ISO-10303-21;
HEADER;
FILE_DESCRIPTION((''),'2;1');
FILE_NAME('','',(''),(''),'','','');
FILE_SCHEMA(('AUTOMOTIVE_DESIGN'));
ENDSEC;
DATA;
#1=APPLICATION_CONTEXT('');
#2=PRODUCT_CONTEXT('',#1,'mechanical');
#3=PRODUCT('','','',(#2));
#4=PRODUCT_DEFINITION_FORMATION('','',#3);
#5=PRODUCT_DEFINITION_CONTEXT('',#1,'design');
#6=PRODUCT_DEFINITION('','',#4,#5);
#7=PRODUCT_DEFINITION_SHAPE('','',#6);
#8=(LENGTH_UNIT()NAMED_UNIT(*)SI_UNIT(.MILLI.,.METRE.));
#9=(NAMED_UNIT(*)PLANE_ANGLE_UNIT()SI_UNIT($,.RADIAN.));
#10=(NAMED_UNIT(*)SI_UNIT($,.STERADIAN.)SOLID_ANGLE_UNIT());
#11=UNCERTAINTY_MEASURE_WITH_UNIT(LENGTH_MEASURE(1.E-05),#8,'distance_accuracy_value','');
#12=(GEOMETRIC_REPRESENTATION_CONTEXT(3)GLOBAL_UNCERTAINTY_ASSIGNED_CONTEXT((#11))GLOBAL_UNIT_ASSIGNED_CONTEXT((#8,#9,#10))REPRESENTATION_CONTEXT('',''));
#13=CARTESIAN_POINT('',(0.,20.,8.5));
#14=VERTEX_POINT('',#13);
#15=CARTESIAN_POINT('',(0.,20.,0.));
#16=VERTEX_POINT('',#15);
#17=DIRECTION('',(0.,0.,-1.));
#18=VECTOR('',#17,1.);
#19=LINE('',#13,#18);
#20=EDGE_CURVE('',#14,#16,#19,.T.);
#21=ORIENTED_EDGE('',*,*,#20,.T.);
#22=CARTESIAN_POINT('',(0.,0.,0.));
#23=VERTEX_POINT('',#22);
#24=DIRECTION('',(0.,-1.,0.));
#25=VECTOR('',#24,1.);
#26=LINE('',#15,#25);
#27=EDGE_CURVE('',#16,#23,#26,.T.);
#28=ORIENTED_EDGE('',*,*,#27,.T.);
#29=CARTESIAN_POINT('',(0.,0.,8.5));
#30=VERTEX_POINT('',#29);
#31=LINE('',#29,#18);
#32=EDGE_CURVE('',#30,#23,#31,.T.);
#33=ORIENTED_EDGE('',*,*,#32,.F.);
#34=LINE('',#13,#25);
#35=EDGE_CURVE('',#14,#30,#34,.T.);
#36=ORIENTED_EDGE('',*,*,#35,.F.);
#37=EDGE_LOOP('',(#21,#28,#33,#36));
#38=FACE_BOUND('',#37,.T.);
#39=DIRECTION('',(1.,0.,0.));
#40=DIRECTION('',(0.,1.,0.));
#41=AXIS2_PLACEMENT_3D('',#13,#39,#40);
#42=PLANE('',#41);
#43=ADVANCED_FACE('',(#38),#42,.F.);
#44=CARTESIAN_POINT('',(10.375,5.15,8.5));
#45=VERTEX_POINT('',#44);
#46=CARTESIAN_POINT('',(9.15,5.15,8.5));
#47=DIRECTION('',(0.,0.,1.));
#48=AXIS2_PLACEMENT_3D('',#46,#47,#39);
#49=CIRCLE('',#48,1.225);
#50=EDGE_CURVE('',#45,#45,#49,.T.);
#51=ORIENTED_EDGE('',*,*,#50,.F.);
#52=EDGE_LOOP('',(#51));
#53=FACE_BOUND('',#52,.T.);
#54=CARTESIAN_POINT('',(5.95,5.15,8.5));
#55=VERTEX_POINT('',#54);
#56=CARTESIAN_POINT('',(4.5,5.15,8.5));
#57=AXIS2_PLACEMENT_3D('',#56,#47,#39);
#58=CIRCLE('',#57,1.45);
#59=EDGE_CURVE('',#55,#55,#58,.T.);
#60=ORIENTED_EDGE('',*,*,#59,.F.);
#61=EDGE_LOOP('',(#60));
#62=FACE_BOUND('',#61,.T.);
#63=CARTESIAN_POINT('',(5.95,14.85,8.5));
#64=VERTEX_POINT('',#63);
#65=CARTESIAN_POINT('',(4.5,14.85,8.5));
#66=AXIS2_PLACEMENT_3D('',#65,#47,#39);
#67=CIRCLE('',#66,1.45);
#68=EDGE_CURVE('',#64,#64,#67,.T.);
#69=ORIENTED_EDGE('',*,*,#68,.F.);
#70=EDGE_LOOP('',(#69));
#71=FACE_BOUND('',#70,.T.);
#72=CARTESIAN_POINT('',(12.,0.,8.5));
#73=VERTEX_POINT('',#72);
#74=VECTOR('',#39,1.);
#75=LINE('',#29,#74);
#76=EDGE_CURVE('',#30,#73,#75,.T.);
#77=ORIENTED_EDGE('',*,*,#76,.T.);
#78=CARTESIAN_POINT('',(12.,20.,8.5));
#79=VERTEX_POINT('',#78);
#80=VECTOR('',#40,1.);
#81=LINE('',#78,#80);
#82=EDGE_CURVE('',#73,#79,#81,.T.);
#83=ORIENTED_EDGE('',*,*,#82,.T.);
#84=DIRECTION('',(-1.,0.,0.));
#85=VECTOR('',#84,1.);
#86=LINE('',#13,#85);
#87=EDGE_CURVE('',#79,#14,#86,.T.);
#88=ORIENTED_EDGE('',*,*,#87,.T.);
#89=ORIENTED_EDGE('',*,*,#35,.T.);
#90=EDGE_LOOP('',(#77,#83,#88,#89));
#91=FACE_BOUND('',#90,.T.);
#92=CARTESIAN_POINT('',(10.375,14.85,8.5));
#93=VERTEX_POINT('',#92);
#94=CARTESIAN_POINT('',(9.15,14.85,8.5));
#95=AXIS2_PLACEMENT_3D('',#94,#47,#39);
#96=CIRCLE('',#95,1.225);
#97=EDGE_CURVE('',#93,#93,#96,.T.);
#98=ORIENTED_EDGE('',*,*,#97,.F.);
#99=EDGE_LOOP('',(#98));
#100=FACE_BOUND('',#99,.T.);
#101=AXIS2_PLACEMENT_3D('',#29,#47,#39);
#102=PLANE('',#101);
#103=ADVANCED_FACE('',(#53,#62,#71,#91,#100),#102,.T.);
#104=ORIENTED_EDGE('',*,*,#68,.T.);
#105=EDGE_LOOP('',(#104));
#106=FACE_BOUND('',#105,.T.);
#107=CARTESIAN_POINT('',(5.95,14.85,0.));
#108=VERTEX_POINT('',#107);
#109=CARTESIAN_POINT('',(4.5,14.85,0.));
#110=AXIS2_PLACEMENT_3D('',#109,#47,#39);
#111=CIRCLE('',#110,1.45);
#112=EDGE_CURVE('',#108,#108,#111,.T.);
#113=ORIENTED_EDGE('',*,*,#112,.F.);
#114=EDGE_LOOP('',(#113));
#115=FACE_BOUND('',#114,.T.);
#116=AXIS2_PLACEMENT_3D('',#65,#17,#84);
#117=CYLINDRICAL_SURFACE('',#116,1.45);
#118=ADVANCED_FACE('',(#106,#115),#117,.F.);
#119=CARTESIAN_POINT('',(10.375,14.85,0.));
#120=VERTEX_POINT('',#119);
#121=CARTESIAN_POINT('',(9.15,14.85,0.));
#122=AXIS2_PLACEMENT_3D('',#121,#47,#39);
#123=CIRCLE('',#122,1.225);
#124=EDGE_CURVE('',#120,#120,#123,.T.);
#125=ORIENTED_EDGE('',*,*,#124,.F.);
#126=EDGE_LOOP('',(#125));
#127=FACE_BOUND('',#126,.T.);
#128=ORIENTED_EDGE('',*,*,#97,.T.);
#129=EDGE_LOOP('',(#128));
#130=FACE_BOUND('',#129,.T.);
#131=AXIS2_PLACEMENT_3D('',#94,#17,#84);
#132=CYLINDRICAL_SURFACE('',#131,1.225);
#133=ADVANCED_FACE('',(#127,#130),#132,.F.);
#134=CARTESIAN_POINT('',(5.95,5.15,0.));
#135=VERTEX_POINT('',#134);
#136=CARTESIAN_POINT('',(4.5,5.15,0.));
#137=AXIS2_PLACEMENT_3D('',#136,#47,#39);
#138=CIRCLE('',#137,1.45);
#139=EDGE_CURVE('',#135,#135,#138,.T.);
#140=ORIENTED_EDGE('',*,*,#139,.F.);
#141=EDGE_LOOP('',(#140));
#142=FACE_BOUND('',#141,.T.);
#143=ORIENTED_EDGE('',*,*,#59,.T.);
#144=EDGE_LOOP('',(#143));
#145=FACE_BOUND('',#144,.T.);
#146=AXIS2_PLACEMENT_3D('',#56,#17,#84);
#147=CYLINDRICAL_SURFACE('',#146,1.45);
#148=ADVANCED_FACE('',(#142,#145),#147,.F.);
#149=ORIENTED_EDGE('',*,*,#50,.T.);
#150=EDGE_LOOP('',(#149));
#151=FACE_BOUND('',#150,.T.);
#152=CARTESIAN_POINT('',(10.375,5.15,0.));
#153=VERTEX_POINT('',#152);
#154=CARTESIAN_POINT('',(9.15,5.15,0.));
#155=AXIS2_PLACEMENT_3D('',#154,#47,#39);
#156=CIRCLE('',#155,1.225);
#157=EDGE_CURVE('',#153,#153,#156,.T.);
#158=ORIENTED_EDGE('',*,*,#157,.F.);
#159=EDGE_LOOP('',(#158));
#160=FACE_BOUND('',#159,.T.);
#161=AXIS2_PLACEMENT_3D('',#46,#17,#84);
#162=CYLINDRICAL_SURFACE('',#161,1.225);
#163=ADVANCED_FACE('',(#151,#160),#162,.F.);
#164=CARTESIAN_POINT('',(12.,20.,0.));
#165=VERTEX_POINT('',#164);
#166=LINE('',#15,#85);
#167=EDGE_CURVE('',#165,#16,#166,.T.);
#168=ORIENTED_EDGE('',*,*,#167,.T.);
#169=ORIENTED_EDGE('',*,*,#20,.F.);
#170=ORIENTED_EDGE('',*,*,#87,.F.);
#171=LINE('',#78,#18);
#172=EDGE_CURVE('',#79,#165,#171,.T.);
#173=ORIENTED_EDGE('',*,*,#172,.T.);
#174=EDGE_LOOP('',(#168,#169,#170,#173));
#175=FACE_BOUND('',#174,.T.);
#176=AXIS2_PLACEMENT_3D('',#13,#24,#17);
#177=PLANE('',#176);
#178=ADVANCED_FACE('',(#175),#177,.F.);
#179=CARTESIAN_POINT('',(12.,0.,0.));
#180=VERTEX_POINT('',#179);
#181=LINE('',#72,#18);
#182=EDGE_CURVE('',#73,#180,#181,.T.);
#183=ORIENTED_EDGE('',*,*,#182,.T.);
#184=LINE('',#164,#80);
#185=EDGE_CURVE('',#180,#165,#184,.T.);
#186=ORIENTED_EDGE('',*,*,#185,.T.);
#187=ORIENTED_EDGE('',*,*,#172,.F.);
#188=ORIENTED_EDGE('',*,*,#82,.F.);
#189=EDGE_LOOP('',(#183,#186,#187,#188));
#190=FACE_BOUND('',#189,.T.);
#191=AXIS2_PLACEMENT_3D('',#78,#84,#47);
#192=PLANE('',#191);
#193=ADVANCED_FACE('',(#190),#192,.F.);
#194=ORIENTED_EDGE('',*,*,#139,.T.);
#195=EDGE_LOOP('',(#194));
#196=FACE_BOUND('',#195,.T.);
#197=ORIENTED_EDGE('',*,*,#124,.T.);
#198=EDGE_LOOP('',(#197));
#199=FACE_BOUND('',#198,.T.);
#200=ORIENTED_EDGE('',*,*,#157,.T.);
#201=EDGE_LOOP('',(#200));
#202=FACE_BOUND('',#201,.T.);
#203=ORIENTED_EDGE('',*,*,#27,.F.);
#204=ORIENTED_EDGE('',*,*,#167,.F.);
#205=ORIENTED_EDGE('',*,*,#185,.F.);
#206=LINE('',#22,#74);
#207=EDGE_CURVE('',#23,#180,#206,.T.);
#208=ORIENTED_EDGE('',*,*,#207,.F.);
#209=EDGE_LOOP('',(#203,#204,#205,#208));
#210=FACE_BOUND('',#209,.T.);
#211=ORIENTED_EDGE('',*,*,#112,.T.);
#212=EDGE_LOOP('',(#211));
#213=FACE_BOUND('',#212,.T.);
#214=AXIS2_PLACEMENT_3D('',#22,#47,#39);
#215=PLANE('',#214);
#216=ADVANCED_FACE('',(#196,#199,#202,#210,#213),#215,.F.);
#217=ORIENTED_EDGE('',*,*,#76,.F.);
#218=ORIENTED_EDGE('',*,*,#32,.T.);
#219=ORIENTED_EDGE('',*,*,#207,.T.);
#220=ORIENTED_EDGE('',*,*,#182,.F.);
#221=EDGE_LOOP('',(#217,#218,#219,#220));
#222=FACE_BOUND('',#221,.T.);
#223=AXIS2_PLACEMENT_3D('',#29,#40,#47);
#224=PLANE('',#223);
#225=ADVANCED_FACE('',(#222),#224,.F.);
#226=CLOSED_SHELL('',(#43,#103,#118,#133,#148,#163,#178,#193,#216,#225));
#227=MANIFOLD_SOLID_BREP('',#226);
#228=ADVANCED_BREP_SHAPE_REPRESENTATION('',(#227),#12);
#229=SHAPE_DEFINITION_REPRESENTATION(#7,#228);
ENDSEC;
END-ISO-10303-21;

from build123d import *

# Parameters (mm, degrees)
SKETCH_3_W      = 12
SKETCH_3_H      = 20
SKETCH_3_R      = 1.45
SKETCH_3_R_2    = 1.225
EXTRUDE_1_DEPTH = 8.5


with BuildPart() as part:
    # 草图3 → 凸台-拉伸1 (new body)
    with BuildSketch(Plane.XY):
        with Locations((6, 10)):
            Rectangle(SKETCH_3_W, SKETCH_3_H)
        with Locations((4.5, 14.85)):
            Circle(SKETCH_3_R, mode=Mode.SUBTRACT)
        with Locations((4.5, 5.15)):
            Circle(SKETCH_3_R, mode=Mode.SUBTRACT)
        with Locations((9.15, 14.85)):
            Circle(SKETCH_3_R_2, mode=Mode.SUBTRACT)
        with Locations((9.15, 5.15)):
            Circle(SKETCH_3_R_2, mode=Mode.SUBTRACT)
    extrude(amount=EXTRUDE_1_DEPTH)


solid = part.part
